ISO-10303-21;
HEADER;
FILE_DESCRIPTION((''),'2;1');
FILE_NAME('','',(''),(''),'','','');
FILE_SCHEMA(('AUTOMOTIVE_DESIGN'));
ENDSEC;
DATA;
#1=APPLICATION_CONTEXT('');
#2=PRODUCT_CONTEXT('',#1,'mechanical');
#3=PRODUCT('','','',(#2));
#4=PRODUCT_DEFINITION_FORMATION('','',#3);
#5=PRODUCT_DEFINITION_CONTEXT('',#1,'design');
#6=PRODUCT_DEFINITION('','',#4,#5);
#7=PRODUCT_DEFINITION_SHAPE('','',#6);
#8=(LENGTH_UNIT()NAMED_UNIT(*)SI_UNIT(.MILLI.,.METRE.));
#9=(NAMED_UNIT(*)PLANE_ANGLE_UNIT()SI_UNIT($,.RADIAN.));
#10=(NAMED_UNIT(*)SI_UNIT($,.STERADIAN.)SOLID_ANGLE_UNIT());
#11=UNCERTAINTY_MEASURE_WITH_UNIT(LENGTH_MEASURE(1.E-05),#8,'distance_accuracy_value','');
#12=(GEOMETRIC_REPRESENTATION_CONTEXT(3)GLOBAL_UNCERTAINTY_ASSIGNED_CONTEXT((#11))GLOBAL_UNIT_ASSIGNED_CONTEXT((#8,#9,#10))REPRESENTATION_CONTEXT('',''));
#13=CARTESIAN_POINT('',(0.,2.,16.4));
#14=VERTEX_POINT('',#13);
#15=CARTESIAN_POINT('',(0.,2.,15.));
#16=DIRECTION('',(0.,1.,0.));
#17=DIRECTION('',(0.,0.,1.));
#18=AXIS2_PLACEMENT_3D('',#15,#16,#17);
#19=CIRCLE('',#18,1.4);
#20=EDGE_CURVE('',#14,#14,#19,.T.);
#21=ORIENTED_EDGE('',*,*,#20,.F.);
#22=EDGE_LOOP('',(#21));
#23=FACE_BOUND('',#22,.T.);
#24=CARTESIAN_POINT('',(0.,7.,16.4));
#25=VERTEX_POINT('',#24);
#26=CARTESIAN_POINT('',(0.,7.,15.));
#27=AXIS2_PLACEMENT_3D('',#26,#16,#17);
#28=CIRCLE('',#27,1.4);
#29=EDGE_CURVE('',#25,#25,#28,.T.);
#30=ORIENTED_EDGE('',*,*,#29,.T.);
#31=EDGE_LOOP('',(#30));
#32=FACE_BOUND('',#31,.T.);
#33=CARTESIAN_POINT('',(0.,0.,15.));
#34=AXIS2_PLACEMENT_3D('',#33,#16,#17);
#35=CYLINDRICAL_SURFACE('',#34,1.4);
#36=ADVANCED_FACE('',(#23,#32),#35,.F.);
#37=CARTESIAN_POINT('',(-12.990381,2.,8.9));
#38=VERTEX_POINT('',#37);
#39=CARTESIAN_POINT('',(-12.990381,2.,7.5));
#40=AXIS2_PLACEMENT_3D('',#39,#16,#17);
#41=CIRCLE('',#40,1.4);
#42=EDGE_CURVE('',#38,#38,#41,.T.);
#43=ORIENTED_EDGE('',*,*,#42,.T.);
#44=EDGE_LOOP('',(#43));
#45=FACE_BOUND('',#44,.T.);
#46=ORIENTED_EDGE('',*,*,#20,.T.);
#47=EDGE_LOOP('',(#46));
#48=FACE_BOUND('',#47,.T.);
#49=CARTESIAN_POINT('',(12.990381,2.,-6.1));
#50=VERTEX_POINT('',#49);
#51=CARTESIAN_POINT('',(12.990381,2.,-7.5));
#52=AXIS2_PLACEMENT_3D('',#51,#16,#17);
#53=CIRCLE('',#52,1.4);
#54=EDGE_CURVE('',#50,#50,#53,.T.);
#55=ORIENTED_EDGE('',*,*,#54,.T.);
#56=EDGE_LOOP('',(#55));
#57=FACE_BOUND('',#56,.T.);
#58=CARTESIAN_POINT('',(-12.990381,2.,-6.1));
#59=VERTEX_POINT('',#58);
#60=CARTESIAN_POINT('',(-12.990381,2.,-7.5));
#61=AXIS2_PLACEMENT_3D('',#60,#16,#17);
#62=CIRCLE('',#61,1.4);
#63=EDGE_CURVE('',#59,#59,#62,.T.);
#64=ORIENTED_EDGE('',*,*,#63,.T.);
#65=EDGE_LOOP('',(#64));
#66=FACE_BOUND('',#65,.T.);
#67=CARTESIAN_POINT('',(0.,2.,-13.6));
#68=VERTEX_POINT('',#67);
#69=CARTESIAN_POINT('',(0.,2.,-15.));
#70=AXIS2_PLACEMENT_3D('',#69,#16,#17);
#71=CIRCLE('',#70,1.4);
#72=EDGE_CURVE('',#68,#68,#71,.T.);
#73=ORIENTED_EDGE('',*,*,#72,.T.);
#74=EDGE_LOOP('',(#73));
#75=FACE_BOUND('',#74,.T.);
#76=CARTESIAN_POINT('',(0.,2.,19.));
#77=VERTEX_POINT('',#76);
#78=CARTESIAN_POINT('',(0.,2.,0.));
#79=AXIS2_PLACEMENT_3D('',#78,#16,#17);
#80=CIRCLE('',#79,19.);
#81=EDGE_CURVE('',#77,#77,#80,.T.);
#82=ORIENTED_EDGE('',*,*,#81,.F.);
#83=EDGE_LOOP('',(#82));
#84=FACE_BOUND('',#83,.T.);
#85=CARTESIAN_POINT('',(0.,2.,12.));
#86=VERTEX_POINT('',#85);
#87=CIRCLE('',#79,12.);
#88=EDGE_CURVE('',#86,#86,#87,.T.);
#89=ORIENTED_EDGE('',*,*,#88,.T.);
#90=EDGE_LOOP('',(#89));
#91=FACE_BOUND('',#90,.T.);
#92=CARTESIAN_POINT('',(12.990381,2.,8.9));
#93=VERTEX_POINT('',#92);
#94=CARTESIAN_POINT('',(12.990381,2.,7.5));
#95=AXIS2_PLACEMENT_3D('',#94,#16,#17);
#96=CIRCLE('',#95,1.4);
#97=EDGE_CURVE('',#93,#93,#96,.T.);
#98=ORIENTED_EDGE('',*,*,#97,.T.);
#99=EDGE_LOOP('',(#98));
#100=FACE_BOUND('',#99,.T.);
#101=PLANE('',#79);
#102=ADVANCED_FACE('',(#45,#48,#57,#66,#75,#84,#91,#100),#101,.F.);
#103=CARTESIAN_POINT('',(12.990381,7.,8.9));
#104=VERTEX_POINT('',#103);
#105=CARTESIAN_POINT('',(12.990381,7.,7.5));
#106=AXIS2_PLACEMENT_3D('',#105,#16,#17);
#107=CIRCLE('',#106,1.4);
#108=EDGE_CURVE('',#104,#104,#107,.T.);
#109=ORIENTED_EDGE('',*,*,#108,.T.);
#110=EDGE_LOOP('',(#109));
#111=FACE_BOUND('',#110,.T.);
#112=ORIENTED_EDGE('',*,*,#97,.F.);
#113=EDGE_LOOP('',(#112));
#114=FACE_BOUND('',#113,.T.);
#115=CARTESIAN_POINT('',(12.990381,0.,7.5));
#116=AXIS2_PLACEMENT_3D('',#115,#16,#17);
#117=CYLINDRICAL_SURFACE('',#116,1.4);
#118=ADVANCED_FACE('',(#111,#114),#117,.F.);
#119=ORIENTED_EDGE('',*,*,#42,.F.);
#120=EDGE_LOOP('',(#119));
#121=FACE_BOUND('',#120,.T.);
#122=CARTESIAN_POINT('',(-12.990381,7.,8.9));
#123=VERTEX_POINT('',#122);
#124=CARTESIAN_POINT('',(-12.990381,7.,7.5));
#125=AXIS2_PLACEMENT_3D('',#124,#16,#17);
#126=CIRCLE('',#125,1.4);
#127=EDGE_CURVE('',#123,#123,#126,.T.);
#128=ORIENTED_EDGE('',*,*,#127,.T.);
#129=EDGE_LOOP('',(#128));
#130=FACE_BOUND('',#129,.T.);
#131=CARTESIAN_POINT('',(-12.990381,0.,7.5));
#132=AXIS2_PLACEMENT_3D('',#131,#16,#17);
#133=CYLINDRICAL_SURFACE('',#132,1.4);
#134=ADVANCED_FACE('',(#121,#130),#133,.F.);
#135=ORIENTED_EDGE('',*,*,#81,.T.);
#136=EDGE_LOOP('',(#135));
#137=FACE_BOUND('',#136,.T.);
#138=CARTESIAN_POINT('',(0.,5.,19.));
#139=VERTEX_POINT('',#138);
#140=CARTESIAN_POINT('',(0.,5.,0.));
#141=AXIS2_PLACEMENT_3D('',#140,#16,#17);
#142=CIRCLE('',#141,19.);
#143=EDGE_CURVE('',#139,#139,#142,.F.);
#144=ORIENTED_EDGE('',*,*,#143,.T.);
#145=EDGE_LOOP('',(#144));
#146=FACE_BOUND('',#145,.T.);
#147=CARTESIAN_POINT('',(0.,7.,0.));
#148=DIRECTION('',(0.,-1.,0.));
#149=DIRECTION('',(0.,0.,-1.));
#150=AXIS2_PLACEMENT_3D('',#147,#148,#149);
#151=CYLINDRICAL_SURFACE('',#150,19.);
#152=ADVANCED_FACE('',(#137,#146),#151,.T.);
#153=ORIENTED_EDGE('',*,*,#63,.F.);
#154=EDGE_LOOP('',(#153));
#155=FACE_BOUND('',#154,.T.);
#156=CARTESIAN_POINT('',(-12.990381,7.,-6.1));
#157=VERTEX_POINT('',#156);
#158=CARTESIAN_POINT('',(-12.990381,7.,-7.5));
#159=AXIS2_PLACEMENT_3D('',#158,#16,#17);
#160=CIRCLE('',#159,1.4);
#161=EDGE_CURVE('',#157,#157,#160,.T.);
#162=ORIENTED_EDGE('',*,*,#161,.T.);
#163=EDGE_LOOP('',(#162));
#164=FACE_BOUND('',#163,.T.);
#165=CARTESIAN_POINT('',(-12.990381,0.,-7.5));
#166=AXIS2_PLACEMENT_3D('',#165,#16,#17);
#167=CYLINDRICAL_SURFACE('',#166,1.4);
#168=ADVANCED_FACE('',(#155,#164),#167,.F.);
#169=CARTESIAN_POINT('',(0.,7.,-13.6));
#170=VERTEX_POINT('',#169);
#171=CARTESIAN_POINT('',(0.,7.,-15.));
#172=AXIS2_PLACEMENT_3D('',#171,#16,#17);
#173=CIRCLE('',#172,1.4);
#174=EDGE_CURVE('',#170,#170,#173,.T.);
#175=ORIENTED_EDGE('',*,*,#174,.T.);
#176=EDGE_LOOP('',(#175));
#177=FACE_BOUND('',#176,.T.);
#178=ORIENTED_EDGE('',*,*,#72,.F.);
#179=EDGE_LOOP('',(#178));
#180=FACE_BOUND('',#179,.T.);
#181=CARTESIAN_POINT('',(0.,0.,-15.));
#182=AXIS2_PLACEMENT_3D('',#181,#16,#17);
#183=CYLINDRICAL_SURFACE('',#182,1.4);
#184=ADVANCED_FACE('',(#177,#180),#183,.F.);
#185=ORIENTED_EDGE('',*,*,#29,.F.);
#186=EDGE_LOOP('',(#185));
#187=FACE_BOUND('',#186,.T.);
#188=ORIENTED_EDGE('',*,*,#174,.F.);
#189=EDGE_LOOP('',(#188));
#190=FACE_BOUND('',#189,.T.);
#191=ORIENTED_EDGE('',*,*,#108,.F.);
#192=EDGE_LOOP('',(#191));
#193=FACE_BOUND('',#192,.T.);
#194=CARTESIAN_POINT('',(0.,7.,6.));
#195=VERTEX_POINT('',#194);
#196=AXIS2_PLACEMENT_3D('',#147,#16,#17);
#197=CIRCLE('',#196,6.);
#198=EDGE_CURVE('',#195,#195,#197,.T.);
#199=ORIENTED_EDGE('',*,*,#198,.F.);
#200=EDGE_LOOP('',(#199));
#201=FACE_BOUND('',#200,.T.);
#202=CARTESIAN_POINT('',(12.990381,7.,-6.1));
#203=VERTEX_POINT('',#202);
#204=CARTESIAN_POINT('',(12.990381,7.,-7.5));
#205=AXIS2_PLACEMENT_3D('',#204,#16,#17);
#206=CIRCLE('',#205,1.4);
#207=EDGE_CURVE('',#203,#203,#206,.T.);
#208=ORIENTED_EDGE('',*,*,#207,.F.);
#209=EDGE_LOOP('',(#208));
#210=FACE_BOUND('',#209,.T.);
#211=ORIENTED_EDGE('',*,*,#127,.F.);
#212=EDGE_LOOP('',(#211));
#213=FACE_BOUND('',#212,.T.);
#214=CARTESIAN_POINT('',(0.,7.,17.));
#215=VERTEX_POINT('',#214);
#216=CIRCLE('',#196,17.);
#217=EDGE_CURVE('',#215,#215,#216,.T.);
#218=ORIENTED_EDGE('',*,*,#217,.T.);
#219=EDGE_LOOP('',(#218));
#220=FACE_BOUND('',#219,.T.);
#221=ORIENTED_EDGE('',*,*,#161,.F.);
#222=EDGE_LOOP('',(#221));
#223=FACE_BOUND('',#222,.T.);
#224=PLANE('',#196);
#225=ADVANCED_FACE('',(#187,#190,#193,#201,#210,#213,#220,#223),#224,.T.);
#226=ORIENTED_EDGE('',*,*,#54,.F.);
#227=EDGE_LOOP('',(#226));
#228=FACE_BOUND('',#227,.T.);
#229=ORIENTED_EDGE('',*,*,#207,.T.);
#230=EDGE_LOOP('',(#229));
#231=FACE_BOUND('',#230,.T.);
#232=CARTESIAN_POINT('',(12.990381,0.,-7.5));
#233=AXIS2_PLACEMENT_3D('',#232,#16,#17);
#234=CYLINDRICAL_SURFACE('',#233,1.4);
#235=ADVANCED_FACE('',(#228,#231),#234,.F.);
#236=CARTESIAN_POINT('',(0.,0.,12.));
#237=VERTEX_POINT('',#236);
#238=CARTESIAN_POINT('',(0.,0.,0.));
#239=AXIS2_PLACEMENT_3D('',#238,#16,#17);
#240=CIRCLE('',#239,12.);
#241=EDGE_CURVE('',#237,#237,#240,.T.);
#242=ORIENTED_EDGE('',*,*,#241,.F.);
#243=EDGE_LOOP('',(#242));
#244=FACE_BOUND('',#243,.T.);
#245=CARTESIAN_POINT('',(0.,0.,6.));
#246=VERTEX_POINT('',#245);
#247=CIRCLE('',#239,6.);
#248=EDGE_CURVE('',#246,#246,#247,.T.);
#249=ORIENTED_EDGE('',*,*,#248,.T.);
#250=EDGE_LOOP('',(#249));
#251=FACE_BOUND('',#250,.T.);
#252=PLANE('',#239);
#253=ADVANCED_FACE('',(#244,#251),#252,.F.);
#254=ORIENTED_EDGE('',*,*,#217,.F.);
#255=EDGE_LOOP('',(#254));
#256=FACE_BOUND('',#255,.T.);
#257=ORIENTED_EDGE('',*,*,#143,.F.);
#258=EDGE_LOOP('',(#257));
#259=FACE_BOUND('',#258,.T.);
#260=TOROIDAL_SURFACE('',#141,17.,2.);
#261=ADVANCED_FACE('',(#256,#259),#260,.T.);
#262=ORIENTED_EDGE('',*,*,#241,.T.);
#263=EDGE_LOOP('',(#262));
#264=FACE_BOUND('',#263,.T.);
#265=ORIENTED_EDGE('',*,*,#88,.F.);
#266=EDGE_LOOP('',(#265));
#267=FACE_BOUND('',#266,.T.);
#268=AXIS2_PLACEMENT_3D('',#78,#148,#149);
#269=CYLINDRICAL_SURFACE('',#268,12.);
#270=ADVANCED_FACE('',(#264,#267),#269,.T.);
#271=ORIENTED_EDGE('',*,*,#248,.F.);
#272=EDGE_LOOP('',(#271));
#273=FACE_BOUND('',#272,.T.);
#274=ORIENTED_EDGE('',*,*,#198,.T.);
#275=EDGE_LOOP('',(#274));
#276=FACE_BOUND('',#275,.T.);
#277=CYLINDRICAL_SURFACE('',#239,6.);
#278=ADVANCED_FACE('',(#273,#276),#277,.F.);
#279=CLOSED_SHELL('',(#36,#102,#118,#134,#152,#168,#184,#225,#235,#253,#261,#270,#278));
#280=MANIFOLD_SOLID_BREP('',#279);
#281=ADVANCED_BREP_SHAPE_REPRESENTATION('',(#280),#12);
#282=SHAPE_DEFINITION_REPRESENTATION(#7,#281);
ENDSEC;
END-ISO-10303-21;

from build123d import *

# Parameters (mm, degrees)
SKETCH1_R           = 12
BOSS_EXTRUDE1_DEPTH = 2
SKETCH2_R           = 19
BOSS_EXTRUDE2_DEPTH = 5
FILLET1_R           = 2
SKETCH3_R           = 6
SKETCH3_R_2         = 1.4
CUT_EXTRUDE1_DEPTH  = 28.766886822


with BuildPart() as part:
    # Sketch1 → Boss-Extrude1 (new body)
    with BuildSketch(Plane(origin=(0, 0, 0), x_dir=(1, 0, 0), z_dir=(0, 1, 0))):
        with Locations(Location((0, 0, 0), (0, 0, 270))):
            Circle(SKETCH1_R)
    extrude(amount=BOSS_EXTRUDE1_DEPTH)

    # Sketch2 → Boss-Extrude2 (add)
    with BuildSketch(Plane(origin=(0, 2, 0), x_dir=(1, 0, 0), z_dir=(0, 1, 0))):
        with Locations(Location((0, 0, 0), (0, 0, 270))):
            Circle(SKETCH2_R)
    extrude(amount=BOSS_EXTRUDE2_DEPTH)

    # Fillet1
    fillet1_edges = [part.edges().sort_by_distance(p)[0] for p in [
        (0, 7, -19),
    ]]
    fillet(fillet1_edges, radius=FILLET1_R)

    # Sketch3 → Cut-Extrude1 (cut, through all)
    with BuildSketch(Plane(origin=(0, 7, 0), x_dir=(1, 0, 0), z_dir=(0, 1, 0))):
        with Locations(Location((0, 0, 0), (0, 0, 270))):
            Circle(SKETCH3_R)
        with Locations(Location((0, 15, 0), (0, 0, 270))):
            Circle(SKETCH3_R_2)
        with Locations(Location((12.990381057, 7.5, 0), (0, 0, 270))):
            Circle(SKETCH3_R_2)
        with Locations(Location((12.990381057, -7.5, 0), (0, 0, 270))):
            Circle(SKETCH3_R_2)
        with Locations(Location((0, -15, 0), (0, 0, 270))):
            Circle(SKETCH3_R_2)
        with Locations(Location((-12.990381057, -7.5, 0), (0, 0, 270))):
            Circle(SKETCH3_R_2)
        with Locations(Location((-12.990381057, 7.5, 0), (0, 0, 270))):
            Circle(SKETCH3_R_2)
    extrude(amount=-CUT_EXTRUDE1_DEPTH, mode=Mode.SUBTRACT)


solid = part.part
